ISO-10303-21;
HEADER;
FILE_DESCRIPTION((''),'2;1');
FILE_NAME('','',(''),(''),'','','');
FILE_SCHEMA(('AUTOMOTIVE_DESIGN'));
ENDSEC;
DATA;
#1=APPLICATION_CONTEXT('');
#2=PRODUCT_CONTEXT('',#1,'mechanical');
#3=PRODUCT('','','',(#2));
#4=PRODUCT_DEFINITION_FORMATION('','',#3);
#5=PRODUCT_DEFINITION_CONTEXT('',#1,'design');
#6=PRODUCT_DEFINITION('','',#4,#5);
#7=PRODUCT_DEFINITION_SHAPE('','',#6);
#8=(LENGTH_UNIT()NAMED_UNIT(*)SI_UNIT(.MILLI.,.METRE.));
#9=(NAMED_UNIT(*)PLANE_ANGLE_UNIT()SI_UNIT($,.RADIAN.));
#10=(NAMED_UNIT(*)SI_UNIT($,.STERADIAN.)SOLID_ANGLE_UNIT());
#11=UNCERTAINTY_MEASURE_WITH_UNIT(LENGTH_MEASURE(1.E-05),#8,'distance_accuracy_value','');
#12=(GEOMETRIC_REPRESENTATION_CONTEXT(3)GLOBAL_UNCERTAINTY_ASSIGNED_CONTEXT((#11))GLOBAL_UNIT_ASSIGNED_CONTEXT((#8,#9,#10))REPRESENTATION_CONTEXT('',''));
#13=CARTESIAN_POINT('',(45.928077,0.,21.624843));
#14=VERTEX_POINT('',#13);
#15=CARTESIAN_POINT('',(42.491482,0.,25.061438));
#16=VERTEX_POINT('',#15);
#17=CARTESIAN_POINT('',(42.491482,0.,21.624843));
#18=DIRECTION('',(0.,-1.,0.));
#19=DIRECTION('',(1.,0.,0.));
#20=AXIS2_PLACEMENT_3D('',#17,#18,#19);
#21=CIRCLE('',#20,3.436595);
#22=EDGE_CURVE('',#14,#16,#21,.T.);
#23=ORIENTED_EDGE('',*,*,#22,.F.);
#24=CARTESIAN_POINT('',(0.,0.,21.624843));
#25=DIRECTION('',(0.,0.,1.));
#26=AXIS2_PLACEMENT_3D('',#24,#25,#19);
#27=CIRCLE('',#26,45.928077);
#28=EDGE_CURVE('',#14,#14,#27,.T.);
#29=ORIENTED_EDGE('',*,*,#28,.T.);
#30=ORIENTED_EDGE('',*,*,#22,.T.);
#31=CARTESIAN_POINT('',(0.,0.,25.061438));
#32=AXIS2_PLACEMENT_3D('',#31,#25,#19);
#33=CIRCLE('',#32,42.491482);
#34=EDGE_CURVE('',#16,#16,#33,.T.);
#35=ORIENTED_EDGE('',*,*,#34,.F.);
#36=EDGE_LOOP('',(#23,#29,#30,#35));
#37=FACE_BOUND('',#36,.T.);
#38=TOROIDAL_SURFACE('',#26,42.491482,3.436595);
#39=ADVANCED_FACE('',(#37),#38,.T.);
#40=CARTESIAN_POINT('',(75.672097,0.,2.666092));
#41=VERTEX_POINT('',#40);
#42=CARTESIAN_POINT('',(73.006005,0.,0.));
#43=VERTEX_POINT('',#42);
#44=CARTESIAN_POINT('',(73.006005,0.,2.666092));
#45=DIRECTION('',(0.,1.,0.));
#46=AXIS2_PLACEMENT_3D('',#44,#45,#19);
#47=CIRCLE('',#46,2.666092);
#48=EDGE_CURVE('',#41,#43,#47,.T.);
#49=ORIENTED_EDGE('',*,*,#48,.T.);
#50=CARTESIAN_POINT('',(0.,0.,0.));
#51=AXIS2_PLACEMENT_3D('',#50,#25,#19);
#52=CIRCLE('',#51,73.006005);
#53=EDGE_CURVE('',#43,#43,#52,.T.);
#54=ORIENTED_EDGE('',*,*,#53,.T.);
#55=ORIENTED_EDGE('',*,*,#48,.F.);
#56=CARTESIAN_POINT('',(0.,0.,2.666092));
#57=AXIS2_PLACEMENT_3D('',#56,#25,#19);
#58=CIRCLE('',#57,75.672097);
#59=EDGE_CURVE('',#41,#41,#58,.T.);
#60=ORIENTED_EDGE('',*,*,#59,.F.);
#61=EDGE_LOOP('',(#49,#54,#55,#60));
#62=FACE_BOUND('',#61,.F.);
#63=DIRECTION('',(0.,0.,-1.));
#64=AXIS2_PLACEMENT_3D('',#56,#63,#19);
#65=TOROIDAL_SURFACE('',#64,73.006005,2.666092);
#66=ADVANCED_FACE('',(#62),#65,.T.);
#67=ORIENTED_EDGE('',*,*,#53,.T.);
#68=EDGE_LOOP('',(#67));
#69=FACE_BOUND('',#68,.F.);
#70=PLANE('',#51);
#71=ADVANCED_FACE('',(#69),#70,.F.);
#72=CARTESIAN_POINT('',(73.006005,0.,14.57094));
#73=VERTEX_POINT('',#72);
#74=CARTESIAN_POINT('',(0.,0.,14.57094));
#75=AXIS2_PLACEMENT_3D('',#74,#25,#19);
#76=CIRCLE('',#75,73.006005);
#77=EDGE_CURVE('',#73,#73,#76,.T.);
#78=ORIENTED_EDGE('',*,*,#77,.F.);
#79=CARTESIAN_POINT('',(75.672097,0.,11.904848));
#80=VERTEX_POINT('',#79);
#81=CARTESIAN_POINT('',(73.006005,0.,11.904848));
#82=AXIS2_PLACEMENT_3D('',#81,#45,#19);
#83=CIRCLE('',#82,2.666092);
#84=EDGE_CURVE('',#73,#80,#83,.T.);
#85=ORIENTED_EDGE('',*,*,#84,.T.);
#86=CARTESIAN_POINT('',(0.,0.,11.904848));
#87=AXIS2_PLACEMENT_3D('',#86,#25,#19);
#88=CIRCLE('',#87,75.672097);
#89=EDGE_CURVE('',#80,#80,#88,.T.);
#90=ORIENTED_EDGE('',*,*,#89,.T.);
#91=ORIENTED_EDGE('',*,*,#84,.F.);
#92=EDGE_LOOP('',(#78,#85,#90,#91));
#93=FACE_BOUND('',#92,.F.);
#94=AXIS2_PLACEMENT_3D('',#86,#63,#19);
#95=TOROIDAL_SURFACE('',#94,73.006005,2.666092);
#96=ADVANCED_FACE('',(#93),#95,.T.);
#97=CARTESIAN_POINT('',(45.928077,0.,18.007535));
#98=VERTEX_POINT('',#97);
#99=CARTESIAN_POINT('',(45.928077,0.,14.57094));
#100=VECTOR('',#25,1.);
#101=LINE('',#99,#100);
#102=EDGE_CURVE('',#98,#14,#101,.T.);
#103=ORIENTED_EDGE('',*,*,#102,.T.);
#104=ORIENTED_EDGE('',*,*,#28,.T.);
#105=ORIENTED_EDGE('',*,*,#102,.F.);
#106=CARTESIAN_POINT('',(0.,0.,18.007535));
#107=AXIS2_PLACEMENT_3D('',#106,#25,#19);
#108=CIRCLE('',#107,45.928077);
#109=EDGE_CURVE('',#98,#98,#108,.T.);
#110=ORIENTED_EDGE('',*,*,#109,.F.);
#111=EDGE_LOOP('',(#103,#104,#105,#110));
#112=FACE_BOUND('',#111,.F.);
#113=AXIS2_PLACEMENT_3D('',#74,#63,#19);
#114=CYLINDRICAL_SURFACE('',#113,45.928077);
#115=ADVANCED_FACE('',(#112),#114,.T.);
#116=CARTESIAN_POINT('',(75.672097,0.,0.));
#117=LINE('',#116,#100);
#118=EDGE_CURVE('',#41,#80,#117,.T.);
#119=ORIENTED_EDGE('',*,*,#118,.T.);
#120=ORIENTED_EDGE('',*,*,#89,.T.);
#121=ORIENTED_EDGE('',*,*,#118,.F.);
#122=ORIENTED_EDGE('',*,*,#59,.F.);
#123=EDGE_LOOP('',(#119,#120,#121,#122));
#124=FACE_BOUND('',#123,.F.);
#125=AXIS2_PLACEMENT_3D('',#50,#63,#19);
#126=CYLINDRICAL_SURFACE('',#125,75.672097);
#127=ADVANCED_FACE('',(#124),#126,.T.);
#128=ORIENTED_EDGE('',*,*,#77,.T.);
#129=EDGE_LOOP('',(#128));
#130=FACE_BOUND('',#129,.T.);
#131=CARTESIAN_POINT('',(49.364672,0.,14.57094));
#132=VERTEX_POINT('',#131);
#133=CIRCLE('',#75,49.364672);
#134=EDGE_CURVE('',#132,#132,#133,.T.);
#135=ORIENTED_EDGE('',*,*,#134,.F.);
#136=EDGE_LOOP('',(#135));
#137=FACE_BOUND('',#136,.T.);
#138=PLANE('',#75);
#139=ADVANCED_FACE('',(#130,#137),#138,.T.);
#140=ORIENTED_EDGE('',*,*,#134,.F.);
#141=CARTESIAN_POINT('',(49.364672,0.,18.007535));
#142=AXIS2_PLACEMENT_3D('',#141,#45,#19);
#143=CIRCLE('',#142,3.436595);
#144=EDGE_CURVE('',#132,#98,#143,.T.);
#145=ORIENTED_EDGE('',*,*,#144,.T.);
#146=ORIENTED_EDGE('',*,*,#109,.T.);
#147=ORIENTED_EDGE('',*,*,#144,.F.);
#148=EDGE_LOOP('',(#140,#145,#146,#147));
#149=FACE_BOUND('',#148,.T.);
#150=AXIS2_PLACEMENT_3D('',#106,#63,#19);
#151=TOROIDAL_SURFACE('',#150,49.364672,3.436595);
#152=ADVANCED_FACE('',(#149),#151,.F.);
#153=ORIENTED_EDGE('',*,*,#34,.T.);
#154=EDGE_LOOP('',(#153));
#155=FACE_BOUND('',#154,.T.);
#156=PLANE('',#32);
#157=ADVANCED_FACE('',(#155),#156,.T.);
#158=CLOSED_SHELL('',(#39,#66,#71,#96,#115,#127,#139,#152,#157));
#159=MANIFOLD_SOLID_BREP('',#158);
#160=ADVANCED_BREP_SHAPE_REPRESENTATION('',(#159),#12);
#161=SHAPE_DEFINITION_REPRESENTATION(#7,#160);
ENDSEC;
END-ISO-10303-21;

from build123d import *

# Parameters (mm, degrees)
F0_R     = 75.672097
F1_DEPTH = 14.57094
F2_R     = 45.928077
F3_DEPTH = 10.490498
F4_R     = 3.436595
F5_R     = 2.666092


with BuildPart() as f1:
    # F0 (on Top) → F1 (new body)
    with BuildSketch(Plane.XY):
        Circle(F0_R)
    extrude(amount=F1_DEPTH)

    # F2 (on face) → F3 (join)
    with BuildSketch(Plane.XY.offset(14.57094)):
        Circle(F2_R)
    extrude(amount=F3_DEPTH)

    # F4
    f4_edges = [f1.edges().sort_by_distance(p)[0] for p in [
        (45.928077, 0, 19.816189),
        (-45.928077, 0, 14.57094),
        (-45.928077, 0, 25.061438),
    ]]
    fillet(f4_edges, radius=F4_R)

    # F5
    f5_edges = [f1.edges().sort_by_distance(p)[0] for p in [
        (75.672097, 0, 7.28547),
        (-75.672097, 0, 0),
        (-75.672097, 0, 14.57094),
    ]]
    fillet(f5_edges, radius=F5_R)


solid = f1.part
